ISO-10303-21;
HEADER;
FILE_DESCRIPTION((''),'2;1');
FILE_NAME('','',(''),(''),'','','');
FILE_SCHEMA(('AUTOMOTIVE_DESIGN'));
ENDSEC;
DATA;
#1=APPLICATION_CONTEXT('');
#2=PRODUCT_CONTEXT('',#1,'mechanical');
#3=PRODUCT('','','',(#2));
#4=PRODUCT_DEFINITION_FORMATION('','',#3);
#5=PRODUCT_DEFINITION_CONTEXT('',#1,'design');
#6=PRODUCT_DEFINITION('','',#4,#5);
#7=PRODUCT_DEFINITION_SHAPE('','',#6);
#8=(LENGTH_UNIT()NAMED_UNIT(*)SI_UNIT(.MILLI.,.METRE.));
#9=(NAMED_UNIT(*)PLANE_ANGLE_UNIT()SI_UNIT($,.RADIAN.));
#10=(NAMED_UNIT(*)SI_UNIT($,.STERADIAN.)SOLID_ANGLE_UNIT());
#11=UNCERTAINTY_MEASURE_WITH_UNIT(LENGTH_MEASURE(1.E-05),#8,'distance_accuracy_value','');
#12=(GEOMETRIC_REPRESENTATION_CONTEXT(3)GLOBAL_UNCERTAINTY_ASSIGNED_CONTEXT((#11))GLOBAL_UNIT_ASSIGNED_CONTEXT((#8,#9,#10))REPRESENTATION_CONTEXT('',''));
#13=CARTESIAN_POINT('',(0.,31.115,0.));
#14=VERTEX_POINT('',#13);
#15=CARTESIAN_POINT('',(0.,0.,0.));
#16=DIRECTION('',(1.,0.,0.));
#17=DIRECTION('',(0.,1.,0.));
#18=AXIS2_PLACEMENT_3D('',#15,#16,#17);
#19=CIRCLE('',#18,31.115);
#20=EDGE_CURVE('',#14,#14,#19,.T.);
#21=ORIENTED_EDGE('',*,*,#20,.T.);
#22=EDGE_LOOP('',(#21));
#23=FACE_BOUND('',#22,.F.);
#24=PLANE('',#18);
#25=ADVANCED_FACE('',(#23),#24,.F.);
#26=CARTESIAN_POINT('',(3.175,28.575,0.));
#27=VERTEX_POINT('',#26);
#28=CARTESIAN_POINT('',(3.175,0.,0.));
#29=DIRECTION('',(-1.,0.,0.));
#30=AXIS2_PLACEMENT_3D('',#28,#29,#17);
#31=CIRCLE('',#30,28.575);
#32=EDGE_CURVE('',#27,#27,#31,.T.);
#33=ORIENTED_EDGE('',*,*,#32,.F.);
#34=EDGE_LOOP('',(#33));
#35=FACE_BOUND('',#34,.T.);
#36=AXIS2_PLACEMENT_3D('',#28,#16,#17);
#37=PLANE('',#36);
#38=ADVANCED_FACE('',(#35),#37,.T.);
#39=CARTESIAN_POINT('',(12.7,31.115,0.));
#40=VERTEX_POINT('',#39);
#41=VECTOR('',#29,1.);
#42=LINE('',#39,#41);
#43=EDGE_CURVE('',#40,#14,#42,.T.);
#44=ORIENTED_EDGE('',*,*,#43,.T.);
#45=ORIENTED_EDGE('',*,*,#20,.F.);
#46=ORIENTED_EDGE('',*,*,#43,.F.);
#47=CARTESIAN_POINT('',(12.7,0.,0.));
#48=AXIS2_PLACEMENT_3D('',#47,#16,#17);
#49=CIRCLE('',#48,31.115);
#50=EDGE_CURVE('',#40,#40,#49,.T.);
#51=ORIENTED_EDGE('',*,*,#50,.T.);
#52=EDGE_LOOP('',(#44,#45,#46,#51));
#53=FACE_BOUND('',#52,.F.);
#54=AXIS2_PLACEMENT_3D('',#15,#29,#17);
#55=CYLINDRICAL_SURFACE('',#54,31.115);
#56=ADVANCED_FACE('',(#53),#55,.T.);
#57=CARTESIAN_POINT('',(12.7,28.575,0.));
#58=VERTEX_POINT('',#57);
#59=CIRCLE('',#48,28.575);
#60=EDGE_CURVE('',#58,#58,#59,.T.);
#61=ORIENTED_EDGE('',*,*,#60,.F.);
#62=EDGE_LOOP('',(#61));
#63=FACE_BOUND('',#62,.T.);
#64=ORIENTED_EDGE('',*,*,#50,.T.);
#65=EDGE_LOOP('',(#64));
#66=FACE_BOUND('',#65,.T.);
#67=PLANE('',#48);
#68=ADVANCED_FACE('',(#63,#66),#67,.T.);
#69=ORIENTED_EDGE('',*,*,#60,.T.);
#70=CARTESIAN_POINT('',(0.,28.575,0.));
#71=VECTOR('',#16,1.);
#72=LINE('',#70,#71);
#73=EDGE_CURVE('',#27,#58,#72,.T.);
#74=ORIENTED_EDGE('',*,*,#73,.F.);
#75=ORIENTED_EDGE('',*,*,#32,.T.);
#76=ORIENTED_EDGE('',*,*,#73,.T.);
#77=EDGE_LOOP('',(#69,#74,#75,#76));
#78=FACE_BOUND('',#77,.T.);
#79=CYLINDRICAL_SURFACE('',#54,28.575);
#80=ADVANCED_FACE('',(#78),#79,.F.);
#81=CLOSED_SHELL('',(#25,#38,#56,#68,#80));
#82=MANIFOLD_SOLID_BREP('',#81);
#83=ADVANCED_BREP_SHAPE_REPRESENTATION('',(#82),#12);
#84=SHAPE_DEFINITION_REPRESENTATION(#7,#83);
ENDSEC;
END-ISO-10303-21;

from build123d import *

# Parameters (mm, degrees)
F0_R     = 31.115
F0_R_2   = 28.575
F1_DEPTH = 3.175
F2_DEPTH = 12.7


with BuildPart() as f1:
    # F0 (on Right) → F1 (new body)
    with BuildSketch(Plane.YZ):
        Circle(F0_R)
        Circle(F0_R_2, mode=Mode.SUBTRACT)
        Circle(F0_R_2)
    extrude(amount=F1_DEPTH)

    # F0 (on Right) → F2 (join)
    with BuildSketch(Plane.YZ):
        Circle(F0_R)
        Circle(F0_R_2, mode=Mode.SUBTRACT)
    extrude(amount=F2_DEPTH)


solid = f1.part
